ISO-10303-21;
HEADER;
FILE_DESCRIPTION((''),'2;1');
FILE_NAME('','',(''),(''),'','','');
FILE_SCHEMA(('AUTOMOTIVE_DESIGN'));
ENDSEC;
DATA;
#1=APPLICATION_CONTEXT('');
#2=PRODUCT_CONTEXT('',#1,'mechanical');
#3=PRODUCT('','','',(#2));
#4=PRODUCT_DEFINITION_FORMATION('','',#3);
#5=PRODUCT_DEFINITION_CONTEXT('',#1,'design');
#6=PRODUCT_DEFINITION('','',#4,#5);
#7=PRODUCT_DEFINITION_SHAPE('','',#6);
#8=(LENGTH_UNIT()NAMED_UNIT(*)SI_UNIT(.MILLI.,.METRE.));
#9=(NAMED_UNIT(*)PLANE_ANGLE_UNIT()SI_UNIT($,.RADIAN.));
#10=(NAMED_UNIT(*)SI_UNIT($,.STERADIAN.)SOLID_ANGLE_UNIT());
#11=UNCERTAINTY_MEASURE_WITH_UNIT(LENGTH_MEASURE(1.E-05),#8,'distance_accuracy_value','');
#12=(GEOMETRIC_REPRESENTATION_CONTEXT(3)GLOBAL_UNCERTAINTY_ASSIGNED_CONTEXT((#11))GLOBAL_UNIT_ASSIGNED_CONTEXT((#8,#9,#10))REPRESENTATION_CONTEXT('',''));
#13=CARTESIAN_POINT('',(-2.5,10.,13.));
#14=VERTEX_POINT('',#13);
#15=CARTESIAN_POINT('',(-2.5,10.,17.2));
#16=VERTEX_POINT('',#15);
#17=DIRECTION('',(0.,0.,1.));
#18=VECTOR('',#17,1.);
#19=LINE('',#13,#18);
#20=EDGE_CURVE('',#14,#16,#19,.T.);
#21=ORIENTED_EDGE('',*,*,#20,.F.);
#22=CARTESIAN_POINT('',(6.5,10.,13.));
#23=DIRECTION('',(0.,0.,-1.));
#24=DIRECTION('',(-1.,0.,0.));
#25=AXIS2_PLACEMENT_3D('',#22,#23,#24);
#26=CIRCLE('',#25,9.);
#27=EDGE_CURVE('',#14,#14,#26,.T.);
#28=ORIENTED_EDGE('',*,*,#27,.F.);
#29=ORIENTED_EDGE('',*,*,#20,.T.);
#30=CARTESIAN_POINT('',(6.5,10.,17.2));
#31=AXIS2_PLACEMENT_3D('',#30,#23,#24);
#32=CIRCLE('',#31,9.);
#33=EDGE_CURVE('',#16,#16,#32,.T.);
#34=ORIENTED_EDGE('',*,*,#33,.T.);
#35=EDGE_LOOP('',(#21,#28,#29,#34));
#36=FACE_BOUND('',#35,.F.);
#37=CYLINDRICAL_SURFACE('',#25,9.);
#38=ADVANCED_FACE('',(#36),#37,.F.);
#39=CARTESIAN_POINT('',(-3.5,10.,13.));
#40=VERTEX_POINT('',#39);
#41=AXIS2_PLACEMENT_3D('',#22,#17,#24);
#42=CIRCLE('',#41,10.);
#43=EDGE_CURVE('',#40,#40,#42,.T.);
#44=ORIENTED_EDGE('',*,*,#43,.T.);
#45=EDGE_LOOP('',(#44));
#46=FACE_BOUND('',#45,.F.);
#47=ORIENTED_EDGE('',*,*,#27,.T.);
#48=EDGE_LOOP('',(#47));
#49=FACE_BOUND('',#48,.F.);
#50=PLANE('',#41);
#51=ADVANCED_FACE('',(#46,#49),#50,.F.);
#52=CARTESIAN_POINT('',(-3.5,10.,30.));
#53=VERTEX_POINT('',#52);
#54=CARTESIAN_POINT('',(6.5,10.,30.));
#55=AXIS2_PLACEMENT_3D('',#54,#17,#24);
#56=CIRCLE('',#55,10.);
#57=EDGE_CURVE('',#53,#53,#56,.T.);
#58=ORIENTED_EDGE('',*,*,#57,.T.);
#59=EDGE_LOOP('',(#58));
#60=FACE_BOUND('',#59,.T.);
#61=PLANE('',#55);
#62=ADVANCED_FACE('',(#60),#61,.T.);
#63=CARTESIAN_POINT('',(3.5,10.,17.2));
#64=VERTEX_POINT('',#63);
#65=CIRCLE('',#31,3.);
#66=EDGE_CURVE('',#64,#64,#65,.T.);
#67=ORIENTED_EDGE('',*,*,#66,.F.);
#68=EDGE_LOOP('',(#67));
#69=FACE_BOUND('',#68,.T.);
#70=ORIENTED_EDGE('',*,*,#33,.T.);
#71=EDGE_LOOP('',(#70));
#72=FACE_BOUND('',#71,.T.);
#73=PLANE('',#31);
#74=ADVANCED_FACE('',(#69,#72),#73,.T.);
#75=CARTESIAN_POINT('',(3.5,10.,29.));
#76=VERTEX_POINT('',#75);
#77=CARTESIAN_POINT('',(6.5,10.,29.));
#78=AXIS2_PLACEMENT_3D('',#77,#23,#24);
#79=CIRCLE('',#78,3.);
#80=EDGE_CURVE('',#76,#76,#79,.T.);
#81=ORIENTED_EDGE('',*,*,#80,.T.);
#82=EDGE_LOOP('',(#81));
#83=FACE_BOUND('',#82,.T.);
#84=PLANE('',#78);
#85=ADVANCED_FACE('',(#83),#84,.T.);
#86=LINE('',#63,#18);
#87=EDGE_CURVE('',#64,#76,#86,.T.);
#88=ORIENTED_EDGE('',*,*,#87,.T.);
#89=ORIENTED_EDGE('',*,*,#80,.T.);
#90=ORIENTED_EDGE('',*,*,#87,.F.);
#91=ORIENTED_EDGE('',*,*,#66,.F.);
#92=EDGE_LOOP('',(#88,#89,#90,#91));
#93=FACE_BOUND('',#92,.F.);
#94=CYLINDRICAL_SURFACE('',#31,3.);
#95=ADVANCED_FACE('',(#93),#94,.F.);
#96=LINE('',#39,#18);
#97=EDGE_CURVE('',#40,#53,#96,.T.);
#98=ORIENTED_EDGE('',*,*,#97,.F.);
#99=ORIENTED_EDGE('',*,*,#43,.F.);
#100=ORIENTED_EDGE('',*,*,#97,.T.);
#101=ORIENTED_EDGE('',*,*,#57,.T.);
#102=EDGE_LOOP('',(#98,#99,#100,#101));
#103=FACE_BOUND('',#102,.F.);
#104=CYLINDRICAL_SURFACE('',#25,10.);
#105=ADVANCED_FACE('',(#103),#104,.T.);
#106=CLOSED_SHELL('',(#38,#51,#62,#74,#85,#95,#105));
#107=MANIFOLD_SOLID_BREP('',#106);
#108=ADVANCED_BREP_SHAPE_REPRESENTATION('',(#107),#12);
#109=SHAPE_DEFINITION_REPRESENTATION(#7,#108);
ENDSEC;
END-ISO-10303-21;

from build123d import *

# Parameters (mm, degrees)
SKETCH026_R             = 10
PAD024_DEPTH            = 17
SKETCH028_R             = 9
POCKET002_DEPTH         = 4.2
SKETCH027_R             = 3
POCKET003_DEPTH         = 11.8
BODY011_PLACEMENT_ANGLE = 180


with BuildPart() as part:
    # Sketch026 → Pad024 (new body)
    with BuildSketch(Plane.XY):
        Circle(SKETCH026_R)
    extrude(amount=PAD024_DEPTH)

    # Sketch028 (on Face2 of Pad024) → Pocket002 (cut)
    with BuildSketch(Plane(origin=(0, 0, 0), x_dir=(1, 0, 0), z_dir=(0, 0, -1))):
        Circle(SKETCH028_R)
    extrude(amount=-POCKET002_DEPTH, mode=Mode.SUBTRACT)

    # Sketch027 (on Face5 of Pocket002) → Pocket003 (cut)
    with BuildSketch(Plane(origin=(0, 0, 4.2), x_dir=(1, 0, 0), z_dir=(0, 0, -1))):
        Circle(SKETCH027_R)
    extrude(amount=-POCKET003_DEPTH, mode=Mode.SUBTRACT)


with BuildPart() as part_1:
    # Body011 placement: moved
    add(part.part.moved(Location((6.5, 10, 13))).rotate(Axis((6.5, 10, 13), (0, 0, 1)), BODY011_PLACEMENT_ANGLE))


solid = part_1.part
